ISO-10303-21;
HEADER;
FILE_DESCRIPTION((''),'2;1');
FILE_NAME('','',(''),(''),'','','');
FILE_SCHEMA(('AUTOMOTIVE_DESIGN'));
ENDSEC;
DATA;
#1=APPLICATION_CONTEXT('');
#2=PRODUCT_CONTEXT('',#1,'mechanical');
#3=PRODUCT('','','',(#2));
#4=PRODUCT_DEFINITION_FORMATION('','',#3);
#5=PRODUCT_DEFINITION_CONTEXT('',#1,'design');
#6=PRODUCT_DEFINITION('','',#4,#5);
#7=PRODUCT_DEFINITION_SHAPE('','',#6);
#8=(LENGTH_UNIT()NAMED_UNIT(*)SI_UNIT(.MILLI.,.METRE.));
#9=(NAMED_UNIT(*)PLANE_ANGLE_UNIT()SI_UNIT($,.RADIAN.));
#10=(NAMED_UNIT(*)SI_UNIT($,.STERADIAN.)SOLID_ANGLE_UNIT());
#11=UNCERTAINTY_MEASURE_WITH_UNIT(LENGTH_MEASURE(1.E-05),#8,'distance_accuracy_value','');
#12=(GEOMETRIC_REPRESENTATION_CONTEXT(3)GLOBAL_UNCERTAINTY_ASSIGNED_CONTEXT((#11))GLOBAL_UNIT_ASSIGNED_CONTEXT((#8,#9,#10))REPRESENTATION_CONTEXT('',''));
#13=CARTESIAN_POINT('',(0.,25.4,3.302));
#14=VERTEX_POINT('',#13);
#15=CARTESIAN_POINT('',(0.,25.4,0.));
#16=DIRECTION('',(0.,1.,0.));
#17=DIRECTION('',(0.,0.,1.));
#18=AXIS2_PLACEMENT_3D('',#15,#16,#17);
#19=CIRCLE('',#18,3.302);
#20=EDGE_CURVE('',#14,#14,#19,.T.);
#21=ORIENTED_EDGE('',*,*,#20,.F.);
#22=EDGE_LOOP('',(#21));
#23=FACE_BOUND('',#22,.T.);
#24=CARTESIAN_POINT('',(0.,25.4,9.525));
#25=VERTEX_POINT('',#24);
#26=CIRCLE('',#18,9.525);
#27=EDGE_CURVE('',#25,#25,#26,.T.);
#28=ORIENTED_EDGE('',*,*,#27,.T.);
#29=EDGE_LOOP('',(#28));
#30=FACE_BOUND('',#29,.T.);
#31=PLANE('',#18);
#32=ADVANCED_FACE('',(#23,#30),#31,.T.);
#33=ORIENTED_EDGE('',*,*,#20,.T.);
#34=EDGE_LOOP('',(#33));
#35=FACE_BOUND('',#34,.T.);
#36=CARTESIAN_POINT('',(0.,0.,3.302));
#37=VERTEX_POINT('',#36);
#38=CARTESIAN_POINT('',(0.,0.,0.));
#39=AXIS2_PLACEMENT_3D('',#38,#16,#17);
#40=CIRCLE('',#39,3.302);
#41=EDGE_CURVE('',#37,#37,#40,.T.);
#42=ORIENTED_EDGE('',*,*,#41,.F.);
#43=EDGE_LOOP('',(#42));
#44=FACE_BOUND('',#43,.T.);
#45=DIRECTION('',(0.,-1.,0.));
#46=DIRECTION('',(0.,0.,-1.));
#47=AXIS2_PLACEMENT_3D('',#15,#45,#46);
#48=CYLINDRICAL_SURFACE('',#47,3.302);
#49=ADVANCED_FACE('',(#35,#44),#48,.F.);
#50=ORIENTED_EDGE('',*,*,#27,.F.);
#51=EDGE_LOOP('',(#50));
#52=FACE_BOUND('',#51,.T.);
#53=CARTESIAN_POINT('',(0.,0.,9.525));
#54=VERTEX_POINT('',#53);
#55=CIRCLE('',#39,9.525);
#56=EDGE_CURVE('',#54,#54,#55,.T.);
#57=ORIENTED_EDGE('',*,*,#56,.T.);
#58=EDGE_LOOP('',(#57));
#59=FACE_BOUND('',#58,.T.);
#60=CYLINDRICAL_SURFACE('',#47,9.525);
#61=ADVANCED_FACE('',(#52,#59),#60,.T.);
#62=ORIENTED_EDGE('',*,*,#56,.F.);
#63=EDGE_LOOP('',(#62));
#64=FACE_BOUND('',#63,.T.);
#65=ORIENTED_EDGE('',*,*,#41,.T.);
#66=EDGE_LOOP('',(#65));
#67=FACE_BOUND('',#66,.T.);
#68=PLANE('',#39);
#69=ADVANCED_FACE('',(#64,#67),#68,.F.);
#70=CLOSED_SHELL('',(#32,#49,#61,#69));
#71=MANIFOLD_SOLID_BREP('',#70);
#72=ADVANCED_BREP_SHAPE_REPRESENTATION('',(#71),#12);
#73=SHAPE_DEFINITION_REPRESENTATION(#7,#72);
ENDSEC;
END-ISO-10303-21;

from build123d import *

# Parameters (mm, degrees)
SKETCH1_R           = 9.525
SKETCH1_R_2         = 3.302
BOSS_EXTRUDE1_DEPTH = 25.4


with BuildPart() as part:
    # Sketch1 → Boss-Extrude1 (new body)
    with BuildSketch(Plane(origin=(0, 0, 0), x_dir=(1, 0, 0), z_dir=(0, 1, 0))):
        Circle(SKETCH1_R)
        Circle(SKETCH1_R_2, mode=Mode.SUBTRACT)
    extrude(amount=BOSS_EXTRUDE1_DEPTH)


solid = part.part
